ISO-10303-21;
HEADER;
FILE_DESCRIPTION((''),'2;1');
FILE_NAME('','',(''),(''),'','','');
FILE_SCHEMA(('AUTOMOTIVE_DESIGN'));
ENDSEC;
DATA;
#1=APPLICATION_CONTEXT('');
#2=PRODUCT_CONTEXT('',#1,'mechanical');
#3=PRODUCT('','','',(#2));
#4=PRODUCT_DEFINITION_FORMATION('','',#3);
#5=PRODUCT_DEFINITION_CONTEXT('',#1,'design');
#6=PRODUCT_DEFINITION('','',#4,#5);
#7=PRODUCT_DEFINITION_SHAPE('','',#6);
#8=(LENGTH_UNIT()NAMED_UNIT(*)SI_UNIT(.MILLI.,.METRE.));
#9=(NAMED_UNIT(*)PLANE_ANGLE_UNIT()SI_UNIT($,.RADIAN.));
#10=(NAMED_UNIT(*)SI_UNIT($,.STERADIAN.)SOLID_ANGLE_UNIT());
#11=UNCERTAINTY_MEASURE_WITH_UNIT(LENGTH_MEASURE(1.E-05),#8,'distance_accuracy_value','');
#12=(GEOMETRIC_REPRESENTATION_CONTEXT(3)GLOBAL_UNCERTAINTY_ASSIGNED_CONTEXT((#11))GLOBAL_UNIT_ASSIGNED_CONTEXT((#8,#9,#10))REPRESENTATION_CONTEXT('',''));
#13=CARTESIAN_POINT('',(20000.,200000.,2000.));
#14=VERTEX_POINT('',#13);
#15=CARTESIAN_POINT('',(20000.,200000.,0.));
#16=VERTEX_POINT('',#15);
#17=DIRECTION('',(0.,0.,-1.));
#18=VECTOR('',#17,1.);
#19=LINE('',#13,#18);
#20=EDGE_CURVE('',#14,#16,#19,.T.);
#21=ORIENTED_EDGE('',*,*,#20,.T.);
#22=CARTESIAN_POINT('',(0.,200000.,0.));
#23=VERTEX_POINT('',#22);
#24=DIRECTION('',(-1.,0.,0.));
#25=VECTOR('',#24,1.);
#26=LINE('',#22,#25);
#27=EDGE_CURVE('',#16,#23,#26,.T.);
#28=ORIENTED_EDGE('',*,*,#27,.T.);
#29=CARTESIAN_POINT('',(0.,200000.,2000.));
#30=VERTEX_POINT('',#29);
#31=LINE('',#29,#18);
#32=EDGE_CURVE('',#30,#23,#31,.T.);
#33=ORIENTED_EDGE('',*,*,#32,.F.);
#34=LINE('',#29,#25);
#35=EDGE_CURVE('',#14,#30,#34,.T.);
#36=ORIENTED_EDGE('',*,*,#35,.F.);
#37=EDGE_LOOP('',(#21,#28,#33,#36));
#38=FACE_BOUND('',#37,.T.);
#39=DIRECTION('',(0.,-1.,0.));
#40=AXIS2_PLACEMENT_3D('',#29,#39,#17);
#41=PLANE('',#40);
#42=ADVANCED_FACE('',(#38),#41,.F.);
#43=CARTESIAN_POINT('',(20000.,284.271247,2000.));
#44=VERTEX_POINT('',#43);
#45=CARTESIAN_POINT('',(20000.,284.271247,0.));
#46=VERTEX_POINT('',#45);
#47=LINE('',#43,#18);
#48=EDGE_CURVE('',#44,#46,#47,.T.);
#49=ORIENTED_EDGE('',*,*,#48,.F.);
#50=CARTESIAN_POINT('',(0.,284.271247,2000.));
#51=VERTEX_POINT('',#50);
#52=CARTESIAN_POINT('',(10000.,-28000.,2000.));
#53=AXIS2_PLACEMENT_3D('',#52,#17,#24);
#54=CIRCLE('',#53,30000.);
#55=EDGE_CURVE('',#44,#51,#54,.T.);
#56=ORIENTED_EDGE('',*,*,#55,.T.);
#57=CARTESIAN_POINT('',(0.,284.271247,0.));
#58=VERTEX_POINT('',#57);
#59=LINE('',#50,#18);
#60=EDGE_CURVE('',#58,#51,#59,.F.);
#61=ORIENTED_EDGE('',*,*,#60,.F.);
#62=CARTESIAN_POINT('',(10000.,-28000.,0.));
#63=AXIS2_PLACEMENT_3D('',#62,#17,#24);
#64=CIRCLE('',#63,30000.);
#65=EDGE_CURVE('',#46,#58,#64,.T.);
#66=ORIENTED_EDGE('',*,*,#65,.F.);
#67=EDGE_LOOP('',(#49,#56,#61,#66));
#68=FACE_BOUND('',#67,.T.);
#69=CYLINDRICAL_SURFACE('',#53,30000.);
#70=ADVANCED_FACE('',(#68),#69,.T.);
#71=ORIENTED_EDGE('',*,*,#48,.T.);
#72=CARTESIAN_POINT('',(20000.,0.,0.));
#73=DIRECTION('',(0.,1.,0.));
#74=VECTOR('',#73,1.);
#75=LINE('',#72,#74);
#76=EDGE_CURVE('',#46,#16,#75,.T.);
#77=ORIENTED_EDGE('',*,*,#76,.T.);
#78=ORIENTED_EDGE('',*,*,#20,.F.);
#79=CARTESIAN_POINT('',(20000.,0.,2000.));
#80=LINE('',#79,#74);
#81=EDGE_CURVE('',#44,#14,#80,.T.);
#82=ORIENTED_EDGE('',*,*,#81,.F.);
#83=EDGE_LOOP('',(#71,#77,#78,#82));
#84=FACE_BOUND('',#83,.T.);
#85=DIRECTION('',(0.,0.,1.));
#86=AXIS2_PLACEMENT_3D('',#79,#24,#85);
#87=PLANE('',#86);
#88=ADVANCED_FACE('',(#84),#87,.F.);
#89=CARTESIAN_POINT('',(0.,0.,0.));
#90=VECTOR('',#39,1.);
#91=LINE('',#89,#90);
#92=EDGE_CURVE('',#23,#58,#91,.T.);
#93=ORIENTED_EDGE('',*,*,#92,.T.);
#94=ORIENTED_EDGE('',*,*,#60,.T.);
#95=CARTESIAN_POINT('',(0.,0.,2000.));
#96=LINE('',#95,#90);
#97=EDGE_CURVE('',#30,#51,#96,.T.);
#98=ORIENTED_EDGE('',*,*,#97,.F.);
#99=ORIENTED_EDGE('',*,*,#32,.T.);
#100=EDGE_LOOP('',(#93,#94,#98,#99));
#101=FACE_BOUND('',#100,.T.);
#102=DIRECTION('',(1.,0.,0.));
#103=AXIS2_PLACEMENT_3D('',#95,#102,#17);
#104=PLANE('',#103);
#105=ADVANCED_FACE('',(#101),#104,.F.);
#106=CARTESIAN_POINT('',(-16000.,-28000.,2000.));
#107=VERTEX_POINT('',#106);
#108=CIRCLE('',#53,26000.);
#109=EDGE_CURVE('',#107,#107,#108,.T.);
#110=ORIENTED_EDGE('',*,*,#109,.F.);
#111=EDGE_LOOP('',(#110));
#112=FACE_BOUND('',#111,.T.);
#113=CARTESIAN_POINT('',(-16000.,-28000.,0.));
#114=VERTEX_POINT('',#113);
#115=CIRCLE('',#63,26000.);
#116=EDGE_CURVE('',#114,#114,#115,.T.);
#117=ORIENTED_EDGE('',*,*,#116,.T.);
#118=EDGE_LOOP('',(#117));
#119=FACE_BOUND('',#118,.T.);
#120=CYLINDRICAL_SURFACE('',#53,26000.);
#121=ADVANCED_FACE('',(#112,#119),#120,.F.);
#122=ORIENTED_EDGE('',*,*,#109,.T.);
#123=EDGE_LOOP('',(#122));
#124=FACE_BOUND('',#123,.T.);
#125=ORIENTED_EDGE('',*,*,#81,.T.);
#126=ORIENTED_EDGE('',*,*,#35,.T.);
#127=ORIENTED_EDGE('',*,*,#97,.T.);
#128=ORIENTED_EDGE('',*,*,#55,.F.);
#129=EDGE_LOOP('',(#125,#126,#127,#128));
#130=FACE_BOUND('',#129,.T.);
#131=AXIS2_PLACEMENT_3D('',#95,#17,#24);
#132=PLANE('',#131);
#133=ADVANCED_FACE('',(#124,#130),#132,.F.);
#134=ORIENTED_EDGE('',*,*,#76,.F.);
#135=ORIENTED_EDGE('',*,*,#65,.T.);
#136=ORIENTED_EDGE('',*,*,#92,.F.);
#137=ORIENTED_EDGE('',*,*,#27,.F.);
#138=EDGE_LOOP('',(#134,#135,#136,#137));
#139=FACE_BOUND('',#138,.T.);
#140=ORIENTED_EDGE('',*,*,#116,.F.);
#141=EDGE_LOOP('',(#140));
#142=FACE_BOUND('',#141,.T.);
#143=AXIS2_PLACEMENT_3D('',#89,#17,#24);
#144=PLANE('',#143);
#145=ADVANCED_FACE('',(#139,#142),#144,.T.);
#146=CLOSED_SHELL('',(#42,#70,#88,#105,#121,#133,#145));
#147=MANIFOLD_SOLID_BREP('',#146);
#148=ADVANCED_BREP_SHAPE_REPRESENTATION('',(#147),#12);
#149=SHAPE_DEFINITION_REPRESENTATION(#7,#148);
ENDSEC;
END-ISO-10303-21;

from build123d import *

# Parameters (mm, degrees)
SKETCH1_W           = 20000
SKETCH1_H           = 200000
BOSS_EXTRUDE1_DEPTH = 2000
SKETCH3_R           = 30000
SKETCH3_R_2         = 26000
BOSS_EXTRUDE3_DEPTH = 2000


with BuildPart() as part:
    # Sketch1 → Boss-Extrude1 (new body)
    with BuildSketch(Plane.XY):
        with Locations((10000, 100000)):
            Rectangle(SKETCH1_W, SKETCH1_H)
    extrude(amount=BOSS_EXTRUDE1_DEPTH)

    # Sketch3 → Boss-Extrude3 (add)
    with BuildSketch(Plane(origin=(0, 0, 0), x_dir=(-1, 0, 0), z_dir=(0, 0, -1))):
        with Locations((-10000, -28000)):
            Circle(SKETCH3_R)
        with Locations((-10000, -28000)):
            Circle(SKETCH3_R_2, mode=Mode.SUBTRACT)
    extrude(amount=-BOSS_EXTRUDE3_DEPTH)


solid = part.part
